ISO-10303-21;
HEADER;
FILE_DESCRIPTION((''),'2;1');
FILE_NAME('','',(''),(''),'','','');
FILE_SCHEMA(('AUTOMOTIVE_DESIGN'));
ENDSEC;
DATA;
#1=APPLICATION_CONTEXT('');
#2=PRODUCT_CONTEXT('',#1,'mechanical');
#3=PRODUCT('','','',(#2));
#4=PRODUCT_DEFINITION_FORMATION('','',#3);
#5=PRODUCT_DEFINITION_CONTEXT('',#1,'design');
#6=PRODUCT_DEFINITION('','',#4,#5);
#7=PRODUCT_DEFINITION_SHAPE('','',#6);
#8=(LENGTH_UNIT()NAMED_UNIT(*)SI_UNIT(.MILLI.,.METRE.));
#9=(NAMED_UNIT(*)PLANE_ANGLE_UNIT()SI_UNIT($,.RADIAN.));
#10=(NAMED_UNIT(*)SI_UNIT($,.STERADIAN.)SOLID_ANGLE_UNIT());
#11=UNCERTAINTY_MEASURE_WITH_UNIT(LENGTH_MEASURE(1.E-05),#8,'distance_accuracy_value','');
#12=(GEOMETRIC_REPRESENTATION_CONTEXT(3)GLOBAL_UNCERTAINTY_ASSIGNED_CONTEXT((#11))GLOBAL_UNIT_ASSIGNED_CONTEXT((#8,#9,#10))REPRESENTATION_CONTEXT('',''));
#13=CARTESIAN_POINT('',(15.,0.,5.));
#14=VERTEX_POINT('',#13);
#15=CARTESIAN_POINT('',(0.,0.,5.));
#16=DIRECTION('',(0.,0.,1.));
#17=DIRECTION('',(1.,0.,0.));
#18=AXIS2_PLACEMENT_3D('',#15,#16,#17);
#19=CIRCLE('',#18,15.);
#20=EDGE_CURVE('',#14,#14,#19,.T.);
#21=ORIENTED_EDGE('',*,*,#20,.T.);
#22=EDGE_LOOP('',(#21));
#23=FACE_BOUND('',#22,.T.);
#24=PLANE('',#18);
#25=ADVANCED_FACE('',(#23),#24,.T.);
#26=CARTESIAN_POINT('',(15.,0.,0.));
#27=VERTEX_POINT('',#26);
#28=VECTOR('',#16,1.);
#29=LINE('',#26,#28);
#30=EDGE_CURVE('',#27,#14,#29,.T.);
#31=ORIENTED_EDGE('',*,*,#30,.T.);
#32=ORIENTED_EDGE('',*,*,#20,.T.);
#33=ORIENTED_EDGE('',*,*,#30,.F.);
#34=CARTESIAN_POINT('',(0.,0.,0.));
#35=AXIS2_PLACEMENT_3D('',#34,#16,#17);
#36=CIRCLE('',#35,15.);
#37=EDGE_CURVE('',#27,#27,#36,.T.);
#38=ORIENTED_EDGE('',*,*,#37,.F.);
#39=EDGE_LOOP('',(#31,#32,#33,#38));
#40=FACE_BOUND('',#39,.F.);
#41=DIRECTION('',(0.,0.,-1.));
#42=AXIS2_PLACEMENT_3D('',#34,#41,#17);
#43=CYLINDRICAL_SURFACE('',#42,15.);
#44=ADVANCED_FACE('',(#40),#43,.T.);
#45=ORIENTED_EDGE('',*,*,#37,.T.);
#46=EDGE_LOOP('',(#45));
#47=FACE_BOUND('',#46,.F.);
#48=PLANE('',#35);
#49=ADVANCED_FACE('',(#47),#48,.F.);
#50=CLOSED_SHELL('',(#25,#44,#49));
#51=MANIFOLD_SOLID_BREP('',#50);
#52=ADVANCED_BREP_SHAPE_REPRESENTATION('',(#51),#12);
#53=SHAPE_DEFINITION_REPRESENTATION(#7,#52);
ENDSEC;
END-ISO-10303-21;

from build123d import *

# Parameters (mm, degrees)
SKETCH_1_R      = 15
EXTRUDE_1_DEPTH = 5


with BuildPart() as part:
    # 草图1 → 凸台-拉伸1 (new body)
    with BuildSketch(Plane.XY):
        Circle(SKETCH_1_R)
    extrude(amount=EXTRUDE_1_DEPTH)


solid = part.part
